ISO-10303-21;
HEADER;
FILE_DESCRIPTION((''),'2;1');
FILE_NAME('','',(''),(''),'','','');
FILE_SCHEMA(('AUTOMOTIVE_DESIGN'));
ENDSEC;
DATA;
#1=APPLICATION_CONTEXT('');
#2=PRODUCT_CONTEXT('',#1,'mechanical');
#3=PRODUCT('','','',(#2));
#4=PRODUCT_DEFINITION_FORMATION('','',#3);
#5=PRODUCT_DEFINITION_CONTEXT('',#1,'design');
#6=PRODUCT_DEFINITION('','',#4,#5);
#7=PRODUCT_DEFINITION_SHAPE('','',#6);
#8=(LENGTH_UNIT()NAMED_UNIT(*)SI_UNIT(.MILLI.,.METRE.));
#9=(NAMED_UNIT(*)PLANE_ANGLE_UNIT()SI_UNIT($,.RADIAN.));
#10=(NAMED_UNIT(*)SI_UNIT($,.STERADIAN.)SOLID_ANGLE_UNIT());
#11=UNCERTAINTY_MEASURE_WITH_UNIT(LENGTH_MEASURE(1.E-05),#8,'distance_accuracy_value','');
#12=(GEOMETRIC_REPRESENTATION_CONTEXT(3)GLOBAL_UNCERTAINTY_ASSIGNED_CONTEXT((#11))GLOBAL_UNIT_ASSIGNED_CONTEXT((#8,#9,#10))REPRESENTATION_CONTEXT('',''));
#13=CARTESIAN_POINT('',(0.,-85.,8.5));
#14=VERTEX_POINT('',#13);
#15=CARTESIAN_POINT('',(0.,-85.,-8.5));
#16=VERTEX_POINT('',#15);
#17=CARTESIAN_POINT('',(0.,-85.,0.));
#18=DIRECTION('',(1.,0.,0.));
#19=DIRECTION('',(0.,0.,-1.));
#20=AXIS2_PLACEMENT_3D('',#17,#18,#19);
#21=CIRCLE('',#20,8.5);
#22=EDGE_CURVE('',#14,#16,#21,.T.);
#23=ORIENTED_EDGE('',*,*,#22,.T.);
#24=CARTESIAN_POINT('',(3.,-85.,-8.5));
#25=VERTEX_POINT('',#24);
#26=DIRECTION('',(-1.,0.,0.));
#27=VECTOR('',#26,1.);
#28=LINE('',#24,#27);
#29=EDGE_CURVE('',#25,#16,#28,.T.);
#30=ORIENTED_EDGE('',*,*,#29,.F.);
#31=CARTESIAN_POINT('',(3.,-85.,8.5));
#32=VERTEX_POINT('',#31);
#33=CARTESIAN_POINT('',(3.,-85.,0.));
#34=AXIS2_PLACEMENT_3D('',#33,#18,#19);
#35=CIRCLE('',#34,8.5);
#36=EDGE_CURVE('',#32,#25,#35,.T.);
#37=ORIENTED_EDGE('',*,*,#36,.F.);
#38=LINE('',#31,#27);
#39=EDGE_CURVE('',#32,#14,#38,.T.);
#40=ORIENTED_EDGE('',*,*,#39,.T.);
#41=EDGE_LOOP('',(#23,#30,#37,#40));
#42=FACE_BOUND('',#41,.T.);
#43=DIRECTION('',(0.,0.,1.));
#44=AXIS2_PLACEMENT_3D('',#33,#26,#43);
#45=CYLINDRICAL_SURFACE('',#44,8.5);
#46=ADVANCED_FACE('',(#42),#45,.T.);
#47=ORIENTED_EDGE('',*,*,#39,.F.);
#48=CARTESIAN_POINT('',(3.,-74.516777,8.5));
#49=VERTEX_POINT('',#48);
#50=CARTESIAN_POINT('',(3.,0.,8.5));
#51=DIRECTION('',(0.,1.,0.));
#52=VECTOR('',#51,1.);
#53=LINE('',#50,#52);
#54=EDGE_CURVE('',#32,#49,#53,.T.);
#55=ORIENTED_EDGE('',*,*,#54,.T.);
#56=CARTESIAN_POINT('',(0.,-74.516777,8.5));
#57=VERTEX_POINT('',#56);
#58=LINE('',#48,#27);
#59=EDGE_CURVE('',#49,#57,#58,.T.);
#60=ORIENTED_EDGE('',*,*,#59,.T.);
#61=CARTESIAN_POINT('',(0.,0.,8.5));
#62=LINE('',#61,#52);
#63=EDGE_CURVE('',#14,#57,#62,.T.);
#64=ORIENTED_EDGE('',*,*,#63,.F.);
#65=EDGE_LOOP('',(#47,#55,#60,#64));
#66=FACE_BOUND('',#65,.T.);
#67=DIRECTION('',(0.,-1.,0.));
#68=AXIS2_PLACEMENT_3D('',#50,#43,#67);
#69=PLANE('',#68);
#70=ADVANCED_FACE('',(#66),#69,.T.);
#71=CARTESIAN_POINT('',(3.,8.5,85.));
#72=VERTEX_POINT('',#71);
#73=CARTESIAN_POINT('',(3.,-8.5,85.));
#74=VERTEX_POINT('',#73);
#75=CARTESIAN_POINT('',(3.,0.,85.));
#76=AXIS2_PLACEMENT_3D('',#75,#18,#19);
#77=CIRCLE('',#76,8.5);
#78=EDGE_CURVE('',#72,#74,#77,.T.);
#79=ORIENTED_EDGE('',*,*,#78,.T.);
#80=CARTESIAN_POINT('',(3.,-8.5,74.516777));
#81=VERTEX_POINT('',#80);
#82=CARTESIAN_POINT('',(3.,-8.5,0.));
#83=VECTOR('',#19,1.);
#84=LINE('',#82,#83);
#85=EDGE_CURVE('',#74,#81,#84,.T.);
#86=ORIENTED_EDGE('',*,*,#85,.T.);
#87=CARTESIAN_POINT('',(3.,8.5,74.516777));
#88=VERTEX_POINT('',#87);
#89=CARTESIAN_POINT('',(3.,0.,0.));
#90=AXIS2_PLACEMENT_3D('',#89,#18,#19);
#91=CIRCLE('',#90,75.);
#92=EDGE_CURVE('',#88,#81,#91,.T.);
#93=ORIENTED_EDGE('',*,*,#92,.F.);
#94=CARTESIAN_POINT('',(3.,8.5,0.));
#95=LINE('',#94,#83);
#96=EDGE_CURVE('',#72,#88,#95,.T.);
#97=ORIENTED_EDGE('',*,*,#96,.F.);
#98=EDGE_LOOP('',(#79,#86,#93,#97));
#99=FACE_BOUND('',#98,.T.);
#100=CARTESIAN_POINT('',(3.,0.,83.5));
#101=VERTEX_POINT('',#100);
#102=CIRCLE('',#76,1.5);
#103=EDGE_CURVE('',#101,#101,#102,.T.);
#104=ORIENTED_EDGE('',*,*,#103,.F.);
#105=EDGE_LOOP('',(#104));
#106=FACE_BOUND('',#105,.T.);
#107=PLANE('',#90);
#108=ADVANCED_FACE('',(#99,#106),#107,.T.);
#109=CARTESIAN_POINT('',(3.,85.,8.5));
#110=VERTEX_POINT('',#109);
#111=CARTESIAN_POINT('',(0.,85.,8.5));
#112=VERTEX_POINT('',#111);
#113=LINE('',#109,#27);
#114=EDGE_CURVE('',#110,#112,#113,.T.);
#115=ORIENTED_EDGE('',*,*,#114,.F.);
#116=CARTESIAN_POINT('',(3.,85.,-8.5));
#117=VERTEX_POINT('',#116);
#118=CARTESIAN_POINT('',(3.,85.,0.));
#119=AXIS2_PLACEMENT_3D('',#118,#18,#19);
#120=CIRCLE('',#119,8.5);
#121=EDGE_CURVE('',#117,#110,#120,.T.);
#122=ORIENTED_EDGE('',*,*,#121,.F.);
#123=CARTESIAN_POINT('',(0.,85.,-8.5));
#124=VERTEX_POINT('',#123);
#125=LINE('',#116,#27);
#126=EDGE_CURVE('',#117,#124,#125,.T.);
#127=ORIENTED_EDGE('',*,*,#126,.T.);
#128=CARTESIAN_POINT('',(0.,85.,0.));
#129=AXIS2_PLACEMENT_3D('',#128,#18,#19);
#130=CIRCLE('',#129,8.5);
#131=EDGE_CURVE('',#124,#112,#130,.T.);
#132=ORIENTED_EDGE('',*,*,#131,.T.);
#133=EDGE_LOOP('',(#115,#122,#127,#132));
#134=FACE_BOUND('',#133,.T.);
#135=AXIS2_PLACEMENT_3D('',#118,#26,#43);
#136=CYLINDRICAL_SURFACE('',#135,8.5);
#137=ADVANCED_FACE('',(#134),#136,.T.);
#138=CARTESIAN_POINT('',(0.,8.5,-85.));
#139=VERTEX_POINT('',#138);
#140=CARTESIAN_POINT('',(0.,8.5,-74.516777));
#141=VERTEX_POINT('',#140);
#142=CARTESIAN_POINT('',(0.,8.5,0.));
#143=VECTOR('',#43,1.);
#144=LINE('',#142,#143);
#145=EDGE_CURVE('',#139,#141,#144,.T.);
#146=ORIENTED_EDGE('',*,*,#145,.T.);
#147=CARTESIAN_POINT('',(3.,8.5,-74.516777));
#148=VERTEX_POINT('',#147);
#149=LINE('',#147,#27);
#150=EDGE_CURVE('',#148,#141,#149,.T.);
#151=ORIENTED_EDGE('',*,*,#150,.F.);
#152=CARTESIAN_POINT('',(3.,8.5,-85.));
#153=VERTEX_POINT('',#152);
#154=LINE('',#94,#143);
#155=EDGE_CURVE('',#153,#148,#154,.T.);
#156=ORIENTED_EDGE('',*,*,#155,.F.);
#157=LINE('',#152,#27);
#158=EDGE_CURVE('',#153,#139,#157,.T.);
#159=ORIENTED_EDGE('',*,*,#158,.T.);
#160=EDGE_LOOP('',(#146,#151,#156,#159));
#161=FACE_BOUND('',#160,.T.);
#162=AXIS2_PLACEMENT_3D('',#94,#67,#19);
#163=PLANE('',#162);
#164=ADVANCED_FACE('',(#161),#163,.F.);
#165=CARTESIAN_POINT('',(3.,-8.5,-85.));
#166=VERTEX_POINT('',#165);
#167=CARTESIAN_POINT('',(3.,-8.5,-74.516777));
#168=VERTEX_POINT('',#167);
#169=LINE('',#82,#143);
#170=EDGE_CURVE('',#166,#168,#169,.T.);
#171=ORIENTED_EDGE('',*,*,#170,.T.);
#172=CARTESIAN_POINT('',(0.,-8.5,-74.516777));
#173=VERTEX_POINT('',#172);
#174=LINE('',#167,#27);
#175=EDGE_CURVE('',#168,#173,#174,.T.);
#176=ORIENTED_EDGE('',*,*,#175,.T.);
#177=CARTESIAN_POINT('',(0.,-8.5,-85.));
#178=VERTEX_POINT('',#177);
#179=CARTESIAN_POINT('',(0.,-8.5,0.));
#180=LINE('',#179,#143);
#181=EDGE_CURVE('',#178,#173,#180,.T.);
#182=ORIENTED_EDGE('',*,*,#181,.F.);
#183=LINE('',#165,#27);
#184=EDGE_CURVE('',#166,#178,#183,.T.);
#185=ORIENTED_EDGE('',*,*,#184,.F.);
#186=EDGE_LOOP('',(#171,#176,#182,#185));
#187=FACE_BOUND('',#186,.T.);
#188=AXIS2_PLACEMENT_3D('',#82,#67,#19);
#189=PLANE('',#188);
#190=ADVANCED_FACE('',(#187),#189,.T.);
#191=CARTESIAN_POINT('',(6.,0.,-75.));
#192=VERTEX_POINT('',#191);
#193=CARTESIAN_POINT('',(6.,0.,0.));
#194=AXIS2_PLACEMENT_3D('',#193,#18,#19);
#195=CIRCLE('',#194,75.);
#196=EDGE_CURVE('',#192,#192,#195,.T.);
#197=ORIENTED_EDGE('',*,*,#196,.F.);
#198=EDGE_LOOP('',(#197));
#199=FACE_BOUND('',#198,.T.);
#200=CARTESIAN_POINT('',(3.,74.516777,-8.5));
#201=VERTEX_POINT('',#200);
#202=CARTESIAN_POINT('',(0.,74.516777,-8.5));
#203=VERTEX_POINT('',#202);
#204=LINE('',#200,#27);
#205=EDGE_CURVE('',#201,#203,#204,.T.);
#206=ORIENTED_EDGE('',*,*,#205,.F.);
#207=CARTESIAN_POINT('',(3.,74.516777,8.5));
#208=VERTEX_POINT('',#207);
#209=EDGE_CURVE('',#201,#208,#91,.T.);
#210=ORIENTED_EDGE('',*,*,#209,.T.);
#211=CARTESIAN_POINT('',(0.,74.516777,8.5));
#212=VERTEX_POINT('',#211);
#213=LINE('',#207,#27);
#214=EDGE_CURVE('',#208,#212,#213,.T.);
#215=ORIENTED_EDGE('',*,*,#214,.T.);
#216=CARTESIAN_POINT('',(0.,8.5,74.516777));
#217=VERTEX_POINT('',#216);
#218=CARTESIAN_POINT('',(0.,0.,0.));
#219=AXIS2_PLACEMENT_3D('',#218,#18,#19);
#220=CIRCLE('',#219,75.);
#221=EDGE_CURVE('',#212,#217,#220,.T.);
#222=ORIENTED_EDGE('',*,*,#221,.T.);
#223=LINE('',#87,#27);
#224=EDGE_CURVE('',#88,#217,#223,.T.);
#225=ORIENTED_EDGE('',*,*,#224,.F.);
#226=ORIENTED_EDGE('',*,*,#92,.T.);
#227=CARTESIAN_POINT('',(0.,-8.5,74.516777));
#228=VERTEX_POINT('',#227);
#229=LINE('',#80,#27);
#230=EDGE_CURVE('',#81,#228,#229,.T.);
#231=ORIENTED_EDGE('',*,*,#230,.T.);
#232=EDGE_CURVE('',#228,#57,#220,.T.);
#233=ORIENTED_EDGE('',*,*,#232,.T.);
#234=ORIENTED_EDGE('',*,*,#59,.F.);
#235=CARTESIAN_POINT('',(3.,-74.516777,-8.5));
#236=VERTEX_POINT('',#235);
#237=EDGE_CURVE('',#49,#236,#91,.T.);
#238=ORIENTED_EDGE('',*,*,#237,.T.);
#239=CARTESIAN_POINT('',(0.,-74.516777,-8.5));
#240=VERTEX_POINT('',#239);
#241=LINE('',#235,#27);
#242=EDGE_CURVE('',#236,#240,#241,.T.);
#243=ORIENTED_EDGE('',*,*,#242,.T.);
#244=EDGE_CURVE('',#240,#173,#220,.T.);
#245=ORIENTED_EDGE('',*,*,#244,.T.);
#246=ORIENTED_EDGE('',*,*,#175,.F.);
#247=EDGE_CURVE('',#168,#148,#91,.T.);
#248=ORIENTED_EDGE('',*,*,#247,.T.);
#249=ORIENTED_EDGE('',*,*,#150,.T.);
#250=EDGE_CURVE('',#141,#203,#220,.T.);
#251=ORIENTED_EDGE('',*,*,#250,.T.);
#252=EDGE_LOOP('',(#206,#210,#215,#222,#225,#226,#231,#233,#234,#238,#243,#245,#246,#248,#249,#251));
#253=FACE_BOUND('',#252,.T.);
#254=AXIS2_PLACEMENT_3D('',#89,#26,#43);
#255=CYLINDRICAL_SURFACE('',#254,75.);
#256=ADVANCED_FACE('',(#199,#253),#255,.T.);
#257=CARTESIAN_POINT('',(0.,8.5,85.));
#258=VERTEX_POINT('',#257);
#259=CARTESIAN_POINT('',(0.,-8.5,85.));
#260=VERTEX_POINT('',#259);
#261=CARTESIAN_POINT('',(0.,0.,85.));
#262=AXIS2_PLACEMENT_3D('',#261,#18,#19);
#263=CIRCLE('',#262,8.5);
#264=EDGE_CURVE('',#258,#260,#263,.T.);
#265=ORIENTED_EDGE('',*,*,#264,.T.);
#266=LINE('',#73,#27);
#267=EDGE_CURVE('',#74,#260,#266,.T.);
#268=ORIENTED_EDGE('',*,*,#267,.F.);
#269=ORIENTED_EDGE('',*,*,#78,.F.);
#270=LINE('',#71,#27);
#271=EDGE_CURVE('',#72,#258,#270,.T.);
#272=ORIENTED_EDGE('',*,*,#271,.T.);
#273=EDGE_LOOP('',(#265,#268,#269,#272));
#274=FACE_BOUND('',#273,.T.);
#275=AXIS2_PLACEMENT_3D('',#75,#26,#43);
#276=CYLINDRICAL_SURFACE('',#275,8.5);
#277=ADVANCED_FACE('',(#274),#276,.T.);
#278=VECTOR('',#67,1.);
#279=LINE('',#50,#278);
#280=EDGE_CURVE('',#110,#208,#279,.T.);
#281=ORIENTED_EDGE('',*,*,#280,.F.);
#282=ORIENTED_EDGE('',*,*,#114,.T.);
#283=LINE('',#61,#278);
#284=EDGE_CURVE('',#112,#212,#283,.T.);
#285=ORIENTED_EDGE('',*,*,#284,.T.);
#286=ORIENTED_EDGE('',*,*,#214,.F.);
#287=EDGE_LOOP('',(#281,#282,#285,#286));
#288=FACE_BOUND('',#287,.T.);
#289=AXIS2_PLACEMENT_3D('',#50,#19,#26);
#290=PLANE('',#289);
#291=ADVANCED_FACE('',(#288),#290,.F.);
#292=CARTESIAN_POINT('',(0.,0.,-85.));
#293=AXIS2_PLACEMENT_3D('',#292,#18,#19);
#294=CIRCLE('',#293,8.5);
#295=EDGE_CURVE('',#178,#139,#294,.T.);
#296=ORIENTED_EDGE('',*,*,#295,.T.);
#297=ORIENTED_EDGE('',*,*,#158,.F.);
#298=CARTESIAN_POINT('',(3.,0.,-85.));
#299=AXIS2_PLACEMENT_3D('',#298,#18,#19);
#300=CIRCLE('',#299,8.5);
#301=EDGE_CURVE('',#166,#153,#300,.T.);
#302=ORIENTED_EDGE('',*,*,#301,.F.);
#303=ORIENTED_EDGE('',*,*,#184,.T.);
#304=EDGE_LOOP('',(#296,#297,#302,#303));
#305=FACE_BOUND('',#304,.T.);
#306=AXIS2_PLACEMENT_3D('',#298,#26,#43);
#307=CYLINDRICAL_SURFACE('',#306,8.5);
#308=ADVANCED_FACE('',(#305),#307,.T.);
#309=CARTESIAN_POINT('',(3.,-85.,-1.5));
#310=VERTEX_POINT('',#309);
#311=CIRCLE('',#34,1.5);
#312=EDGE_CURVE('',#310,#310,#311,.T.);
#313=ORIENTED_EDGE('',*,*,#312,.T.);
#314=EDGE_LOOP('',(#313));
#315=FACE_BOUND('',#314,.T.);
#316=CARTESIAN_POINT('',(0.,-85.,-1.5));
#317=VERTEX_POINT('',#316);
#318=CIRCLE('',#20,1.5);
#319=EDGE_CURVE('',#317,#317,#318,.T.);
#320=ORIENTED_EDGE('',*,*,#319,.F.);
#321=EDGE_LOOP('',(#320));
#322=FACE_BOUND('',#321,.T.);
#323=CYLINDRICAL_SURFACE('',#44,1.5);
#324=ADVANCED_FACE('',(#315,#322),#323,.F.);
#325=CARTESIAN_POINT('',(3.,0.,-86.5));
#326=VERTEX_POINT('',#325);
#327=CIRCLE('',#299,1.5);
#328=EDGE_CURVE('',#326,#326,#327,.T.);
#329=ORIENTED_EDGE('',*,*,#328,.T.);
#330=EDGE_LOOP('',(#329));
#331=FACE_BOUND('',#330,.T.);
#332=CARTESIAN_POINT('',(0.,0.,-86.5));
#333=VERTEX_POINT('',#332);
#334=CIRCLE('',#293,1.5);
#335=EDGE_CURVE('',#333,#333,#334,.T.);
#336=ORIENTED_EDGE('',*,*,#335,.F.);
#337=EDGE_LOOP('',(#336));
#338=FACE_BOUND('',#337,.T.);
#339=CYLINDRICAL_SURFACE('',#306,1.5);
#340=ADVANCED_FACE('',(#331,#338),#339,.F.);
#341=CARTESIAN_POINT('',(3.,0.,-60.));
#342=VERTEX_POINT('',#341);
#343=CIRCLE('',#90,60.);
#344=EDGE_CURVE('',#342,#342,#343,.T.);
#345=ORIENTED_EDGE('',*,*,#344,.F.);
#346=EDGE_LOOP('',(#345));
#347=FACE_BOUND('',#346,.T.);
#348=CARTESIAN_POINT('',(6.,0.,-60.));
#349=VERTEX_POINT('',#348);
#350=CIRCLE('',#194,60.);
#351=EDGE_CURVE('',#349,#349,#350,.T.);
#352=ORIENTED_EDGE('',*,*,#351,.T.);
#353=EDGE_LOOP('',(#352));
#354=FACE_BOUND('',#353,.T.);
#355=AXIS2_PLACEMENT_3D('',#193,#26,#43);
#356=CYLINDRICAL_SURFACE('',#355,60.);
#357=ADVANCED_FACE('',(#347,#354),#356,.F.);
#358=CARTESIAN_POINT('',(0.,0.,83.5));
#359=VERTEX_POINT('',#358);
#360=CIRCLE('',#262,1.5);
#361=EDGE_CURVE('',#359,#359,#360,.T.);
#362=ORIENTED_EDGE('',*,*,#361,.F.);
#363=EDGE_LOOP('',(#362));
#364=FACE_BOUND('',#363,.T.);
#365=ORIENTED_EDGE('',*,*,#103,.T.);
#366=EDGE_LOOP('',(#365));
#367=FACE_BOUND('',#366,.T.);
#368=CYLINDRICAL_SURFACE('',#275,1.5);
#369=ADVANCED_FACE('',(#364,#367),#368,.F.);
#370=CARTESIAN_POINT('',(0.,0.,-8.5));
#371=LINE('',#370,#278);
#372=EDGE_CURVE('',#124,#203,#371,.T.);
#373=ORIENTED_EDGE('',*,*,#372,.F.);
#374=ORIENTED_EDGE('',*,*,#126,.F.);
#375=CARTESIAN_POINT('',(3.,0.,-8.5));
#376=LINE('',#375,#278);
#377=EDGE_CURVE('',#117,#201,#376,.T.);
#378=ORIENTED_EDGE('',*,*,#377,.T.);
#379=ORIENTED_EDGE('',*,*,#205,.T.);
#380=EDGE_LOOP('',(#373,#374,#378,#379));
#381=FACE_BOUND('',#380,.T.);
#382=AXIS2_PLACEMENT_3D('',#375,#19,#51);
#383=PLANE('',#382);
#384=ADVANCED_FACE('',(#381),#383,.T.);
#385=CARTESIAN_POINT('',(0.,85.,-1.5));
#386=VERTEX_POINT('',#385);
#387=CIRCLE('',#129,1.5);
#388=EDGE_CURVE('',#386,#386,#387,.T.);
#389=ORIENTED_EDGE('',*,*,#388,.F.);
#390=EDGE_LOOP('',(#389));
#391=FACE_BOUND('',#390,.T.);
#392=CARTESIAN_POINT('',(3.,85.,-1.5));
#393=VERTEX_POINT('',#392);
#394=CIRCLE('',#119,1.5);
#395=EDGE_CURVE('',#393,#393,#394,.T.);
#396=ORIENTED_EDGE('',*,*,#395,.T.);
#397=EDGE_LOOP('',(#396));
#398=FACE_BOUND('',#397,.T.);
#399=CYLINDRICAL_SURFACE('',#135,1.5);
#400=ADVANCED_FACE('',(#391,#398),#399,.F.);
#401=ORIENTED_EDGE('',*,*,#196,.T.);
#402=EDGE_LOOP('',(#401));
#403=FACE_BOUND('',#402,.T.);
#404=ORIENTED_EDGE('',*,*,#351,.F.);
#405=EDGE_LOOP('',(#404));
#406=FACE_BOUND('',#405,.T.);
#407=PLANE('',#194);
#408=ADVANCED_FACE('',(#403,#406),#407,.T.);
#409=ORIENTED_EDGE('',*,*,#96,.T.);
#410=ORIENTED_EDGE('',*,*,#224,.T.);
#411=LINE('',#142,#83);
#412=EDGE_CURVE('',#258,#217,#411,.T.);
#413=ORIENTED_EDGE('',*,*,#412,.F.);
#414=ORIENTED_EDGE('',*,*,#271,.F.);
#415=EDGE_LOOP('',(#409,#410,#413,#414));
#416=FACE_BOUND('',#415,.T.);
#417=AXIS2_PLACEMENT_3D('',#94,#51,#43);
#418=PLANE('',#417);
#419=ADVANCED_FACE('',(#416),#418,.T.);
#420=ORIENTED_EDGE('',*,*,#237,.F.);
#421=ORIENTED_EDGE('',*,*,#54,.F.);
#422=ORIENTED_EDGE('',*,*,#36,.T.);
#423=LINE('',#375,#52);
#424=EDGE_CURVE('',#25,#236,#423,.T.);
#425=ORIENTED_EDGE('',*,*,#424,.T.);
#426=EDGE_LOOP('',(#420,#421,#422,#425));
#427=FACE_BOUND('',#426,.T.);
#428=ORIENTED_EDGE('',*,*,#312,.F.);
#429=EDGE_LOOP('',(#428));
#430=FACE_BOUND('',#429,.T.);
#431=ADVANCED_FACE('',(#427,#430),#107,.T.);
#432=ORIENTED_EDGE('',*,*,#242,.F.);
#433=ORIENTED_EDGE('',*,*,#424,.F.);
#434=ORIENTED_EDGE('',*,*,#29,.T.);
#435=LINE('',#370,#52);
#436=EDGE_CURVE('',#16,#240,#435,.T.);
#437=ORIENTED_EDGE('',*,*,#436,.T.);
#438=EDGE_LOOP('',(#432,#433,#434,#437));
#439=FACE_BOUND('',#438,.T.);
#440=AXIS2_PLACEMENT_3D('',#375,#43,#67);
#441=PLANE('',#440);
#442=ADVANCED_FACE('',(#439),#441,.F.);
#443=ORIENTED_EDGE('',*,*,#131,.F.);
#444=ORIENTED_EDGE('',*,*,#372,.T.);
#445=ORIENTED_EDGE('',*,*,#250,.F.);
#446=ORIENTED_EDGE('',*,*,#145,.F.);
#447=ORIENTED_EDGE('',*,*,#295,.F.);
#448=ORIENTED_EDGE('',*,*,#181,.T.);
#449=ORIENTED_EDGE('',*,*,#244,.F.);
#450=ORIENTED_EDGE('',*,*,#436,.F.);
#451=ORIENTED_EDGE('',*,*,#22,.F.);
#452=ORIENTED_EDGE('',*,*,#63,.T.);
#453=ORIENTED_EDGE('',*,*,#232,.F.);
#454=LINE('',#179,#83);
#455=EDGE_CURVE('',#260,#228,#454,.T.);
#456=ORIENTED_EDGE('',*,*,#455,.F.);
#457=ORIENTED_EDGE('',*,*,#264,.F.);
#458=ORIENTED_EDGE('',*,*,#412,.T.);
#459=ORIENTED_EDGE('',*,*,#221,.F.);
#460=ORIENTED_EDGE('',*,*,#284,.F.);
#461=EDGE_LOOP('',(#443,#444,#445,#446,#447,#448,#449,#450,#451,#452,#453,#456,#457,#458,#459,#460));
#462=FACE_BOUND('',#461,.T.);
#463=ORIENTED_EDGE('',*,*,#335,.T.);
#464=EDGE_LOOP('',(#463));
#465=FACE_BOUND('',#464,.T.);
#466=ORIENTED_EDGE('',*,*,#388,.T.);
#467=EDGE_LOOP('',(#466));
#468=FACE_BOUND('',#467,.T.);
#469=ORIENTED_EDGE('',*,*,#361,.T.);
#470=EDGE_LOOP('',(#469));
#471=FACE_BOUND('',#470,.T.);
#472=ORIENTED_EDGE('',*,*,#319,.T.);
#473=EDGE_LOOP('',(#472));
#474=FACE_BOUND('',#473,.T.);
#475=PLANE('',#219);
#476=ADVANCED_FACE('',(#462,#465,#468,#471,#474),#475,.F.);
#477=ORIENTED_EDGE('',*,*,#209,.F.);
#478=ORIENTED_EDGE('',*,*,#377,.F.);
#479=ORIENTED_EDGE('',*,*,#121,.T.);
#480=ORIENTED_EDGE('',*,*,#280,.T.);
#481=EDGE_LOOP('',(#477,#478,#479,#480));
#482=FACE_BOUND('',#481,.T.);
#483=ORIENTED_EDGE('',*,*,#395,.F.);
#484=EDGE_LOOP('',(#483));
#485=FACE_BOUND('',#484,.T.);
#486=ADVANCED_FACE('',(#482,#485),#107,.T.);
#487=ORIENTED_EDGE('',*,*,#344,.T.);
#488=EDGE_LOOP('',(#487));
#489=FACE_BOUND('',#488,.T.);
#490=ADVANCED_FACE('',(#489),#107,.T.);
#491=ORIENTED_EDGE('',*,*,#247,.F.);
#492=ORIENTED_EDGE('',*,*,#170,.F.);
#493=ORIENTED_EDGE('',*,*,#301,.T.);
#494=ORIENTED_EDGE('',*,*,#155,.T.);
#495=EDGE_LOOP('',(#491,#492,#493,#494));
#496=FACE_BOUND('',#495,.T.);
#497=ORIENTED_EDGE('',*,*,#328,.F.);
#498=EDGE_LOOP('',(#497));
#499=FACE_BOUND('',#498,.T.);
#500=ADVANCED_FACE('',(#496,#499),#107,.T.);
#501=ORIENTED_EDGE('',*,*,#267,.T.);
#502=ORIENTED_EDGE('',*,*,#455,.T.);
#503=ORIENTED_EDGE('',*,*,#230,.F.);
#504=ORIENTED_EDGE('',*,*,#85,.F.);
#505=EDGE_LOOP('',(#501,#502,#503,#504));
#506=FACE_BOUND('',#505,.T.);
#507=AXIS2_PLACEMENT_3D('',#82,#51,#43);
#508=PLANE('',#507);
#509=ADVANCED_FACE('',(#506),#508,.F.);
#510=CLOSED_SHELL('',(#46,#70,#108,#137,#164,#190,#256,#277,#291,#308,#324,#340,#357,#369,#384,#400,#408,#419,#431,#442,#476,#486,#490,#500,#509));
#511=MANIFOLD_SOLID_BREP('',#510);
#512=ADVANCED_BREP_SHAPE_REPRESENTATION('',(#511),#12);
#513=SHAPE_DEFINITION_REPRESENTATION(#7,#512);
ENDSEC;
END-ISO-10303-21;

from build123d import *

# Parameters (mm, degrees)
SKETCH_1_R      = 75
SKETCH_1_R_2    = 1.5
EXTRUDE_1_DEPTH = 3
SKETCH_2_R      = 75
SKETCH_2_R_2    = 60
EXTRUDE_2_DEPTH = 3


with BuildPart() as part:
    # Эскиз1 → Бобышка-Вытянуть1 (new body)
    # profile 1 of 5: a face of its own
    with BuildSketch(Plane(origin=(0, 0, 0), x_dir=(0, 0, -1), z_dir=(1, 0, 0))):
        Circle(SKETCH_1_R)
    # profile 2 of 5: a face of its own
    with BuildSketch(Plane(origin=(0, 0, 0), x_dir=(0, 0, -1), z_dir=(1, 0, 0))):
        with BuildLine():
            ThreePointArc((-8.5, 74.516776635), (0, 75), (8.5, 74.516776635))
            Line((8.5, 74.516776635), (8.5, 85))
            ThreePointArc((8.5, 85), (0, 93.5), (-8.5, 85))
            Line((-8.5, 85), (-8.5, 74.516776635))
        make_face()
        with BuildLine():
            ThreePointArc((0, 83.5), (-1.060660172, 86.060660172), (1.5, 85))
            ThreePointArc((1.5, 85), (1.060660172, 83.939339828), (0, 83.5))
        make_face(mode=Mode.SUBTRACT)
    # profile 3 of 5: a face of its own
    with BuildSketch(Plane(origin=(0, 0, 0), x_dir=(0, 0, -1), z_dir=(1, 0, 0))):
        with BuildLine():
            ThreePointArc((85, -8.5), (93.5, 0), (85, 8.5))
            Line((85, 8.5), (74.516776635, 8.5))
            ThreePointArc((74.516776635, 8.5), (74.879096708, 4.256862249), (75, 0))
            ThreePointArc((75, 0), (74.879096708, -4.256862249), (74.516776635, -8.5))
            Line((74.516776635, -8.5), (85, -8.5))
        make_face()
        with BuildLine():
            ThreePointArc((83.5, 0), (85, 1.5), (86.5, 0))
            ThreePointArc((86.5, 0), (85, -1.5), (83.5, 0))
        make_face(mode=Mode.SUBTRACT)
    # profile 4 of 5: a face of its own
    with BuildSketch(Plane(origin=(0, 0, 0), x_dir=(0, 0, -1), z_dir=(1, 0, 0))):
        with BuildLine():
            Line((8.5, -85), (8.5, -74.516776635))
            ThreePointArc((8.5, -74.516776635), (0, -75), (-8.5, -74.516776635))
            Line((-8.5, -74.516776635), (-8.5, -85))
            ThreePointArc((-8.5, -85), (0, -93.5), (8.5, -85))
        make_face()
        with BuildLine():
            ThreePointArc((0, -83.5), (1.060660172, -83.939339828), (1.5, -85))
            ThreePointArc((1.5, -85), (-1.060660172, -86.060660172), (0, -83.5))
        make_face(mode=Mode.SUBTRACT)
    # profile 5 of 5: a face of its own
    with BuildSketch(Plane(origin=(0, 0, 0), x_dir=(0, 0, -1), z_dir=(1, 0, 0))):
        with BuildLine():
            ThreePointArc((-74.516776635, -8.5), (-75, 0), (-74.516776635, 8.5))
            Line((-74.516776635, 8.5), (-85, 8.5))
            ThreePointArc((-85, 8.5), (-93.5, 0), (-85, -8.5))
            Line((-85, -8.5), (-74.516776635, -8.5))
        make_face()
        with Locations((-85, 0)):
            Circle(SKETCH_1_R_2, mode=Mode.SUBTRACT)
    extrude(amount=EXTRUDE_1_DEPTH)

    # Эскиз2 → Бобышка-Вытянуть2 (add)
    with BuildSketch(Plane(origin=(3, 0, 0), x_dir=(0, 0, -1), z_dir=(1, 0, 0))):
        with Locations(Location((0, 0, 0), (0, 0, 173.492496408))):
            Circle(SKETCH_2_R)
        Circle(SKETCH_2_R_2, mode=Mode.SUBTRACT)
    extrude(amount=EXTRUDE_2_DEPTH)


solid = part.part
